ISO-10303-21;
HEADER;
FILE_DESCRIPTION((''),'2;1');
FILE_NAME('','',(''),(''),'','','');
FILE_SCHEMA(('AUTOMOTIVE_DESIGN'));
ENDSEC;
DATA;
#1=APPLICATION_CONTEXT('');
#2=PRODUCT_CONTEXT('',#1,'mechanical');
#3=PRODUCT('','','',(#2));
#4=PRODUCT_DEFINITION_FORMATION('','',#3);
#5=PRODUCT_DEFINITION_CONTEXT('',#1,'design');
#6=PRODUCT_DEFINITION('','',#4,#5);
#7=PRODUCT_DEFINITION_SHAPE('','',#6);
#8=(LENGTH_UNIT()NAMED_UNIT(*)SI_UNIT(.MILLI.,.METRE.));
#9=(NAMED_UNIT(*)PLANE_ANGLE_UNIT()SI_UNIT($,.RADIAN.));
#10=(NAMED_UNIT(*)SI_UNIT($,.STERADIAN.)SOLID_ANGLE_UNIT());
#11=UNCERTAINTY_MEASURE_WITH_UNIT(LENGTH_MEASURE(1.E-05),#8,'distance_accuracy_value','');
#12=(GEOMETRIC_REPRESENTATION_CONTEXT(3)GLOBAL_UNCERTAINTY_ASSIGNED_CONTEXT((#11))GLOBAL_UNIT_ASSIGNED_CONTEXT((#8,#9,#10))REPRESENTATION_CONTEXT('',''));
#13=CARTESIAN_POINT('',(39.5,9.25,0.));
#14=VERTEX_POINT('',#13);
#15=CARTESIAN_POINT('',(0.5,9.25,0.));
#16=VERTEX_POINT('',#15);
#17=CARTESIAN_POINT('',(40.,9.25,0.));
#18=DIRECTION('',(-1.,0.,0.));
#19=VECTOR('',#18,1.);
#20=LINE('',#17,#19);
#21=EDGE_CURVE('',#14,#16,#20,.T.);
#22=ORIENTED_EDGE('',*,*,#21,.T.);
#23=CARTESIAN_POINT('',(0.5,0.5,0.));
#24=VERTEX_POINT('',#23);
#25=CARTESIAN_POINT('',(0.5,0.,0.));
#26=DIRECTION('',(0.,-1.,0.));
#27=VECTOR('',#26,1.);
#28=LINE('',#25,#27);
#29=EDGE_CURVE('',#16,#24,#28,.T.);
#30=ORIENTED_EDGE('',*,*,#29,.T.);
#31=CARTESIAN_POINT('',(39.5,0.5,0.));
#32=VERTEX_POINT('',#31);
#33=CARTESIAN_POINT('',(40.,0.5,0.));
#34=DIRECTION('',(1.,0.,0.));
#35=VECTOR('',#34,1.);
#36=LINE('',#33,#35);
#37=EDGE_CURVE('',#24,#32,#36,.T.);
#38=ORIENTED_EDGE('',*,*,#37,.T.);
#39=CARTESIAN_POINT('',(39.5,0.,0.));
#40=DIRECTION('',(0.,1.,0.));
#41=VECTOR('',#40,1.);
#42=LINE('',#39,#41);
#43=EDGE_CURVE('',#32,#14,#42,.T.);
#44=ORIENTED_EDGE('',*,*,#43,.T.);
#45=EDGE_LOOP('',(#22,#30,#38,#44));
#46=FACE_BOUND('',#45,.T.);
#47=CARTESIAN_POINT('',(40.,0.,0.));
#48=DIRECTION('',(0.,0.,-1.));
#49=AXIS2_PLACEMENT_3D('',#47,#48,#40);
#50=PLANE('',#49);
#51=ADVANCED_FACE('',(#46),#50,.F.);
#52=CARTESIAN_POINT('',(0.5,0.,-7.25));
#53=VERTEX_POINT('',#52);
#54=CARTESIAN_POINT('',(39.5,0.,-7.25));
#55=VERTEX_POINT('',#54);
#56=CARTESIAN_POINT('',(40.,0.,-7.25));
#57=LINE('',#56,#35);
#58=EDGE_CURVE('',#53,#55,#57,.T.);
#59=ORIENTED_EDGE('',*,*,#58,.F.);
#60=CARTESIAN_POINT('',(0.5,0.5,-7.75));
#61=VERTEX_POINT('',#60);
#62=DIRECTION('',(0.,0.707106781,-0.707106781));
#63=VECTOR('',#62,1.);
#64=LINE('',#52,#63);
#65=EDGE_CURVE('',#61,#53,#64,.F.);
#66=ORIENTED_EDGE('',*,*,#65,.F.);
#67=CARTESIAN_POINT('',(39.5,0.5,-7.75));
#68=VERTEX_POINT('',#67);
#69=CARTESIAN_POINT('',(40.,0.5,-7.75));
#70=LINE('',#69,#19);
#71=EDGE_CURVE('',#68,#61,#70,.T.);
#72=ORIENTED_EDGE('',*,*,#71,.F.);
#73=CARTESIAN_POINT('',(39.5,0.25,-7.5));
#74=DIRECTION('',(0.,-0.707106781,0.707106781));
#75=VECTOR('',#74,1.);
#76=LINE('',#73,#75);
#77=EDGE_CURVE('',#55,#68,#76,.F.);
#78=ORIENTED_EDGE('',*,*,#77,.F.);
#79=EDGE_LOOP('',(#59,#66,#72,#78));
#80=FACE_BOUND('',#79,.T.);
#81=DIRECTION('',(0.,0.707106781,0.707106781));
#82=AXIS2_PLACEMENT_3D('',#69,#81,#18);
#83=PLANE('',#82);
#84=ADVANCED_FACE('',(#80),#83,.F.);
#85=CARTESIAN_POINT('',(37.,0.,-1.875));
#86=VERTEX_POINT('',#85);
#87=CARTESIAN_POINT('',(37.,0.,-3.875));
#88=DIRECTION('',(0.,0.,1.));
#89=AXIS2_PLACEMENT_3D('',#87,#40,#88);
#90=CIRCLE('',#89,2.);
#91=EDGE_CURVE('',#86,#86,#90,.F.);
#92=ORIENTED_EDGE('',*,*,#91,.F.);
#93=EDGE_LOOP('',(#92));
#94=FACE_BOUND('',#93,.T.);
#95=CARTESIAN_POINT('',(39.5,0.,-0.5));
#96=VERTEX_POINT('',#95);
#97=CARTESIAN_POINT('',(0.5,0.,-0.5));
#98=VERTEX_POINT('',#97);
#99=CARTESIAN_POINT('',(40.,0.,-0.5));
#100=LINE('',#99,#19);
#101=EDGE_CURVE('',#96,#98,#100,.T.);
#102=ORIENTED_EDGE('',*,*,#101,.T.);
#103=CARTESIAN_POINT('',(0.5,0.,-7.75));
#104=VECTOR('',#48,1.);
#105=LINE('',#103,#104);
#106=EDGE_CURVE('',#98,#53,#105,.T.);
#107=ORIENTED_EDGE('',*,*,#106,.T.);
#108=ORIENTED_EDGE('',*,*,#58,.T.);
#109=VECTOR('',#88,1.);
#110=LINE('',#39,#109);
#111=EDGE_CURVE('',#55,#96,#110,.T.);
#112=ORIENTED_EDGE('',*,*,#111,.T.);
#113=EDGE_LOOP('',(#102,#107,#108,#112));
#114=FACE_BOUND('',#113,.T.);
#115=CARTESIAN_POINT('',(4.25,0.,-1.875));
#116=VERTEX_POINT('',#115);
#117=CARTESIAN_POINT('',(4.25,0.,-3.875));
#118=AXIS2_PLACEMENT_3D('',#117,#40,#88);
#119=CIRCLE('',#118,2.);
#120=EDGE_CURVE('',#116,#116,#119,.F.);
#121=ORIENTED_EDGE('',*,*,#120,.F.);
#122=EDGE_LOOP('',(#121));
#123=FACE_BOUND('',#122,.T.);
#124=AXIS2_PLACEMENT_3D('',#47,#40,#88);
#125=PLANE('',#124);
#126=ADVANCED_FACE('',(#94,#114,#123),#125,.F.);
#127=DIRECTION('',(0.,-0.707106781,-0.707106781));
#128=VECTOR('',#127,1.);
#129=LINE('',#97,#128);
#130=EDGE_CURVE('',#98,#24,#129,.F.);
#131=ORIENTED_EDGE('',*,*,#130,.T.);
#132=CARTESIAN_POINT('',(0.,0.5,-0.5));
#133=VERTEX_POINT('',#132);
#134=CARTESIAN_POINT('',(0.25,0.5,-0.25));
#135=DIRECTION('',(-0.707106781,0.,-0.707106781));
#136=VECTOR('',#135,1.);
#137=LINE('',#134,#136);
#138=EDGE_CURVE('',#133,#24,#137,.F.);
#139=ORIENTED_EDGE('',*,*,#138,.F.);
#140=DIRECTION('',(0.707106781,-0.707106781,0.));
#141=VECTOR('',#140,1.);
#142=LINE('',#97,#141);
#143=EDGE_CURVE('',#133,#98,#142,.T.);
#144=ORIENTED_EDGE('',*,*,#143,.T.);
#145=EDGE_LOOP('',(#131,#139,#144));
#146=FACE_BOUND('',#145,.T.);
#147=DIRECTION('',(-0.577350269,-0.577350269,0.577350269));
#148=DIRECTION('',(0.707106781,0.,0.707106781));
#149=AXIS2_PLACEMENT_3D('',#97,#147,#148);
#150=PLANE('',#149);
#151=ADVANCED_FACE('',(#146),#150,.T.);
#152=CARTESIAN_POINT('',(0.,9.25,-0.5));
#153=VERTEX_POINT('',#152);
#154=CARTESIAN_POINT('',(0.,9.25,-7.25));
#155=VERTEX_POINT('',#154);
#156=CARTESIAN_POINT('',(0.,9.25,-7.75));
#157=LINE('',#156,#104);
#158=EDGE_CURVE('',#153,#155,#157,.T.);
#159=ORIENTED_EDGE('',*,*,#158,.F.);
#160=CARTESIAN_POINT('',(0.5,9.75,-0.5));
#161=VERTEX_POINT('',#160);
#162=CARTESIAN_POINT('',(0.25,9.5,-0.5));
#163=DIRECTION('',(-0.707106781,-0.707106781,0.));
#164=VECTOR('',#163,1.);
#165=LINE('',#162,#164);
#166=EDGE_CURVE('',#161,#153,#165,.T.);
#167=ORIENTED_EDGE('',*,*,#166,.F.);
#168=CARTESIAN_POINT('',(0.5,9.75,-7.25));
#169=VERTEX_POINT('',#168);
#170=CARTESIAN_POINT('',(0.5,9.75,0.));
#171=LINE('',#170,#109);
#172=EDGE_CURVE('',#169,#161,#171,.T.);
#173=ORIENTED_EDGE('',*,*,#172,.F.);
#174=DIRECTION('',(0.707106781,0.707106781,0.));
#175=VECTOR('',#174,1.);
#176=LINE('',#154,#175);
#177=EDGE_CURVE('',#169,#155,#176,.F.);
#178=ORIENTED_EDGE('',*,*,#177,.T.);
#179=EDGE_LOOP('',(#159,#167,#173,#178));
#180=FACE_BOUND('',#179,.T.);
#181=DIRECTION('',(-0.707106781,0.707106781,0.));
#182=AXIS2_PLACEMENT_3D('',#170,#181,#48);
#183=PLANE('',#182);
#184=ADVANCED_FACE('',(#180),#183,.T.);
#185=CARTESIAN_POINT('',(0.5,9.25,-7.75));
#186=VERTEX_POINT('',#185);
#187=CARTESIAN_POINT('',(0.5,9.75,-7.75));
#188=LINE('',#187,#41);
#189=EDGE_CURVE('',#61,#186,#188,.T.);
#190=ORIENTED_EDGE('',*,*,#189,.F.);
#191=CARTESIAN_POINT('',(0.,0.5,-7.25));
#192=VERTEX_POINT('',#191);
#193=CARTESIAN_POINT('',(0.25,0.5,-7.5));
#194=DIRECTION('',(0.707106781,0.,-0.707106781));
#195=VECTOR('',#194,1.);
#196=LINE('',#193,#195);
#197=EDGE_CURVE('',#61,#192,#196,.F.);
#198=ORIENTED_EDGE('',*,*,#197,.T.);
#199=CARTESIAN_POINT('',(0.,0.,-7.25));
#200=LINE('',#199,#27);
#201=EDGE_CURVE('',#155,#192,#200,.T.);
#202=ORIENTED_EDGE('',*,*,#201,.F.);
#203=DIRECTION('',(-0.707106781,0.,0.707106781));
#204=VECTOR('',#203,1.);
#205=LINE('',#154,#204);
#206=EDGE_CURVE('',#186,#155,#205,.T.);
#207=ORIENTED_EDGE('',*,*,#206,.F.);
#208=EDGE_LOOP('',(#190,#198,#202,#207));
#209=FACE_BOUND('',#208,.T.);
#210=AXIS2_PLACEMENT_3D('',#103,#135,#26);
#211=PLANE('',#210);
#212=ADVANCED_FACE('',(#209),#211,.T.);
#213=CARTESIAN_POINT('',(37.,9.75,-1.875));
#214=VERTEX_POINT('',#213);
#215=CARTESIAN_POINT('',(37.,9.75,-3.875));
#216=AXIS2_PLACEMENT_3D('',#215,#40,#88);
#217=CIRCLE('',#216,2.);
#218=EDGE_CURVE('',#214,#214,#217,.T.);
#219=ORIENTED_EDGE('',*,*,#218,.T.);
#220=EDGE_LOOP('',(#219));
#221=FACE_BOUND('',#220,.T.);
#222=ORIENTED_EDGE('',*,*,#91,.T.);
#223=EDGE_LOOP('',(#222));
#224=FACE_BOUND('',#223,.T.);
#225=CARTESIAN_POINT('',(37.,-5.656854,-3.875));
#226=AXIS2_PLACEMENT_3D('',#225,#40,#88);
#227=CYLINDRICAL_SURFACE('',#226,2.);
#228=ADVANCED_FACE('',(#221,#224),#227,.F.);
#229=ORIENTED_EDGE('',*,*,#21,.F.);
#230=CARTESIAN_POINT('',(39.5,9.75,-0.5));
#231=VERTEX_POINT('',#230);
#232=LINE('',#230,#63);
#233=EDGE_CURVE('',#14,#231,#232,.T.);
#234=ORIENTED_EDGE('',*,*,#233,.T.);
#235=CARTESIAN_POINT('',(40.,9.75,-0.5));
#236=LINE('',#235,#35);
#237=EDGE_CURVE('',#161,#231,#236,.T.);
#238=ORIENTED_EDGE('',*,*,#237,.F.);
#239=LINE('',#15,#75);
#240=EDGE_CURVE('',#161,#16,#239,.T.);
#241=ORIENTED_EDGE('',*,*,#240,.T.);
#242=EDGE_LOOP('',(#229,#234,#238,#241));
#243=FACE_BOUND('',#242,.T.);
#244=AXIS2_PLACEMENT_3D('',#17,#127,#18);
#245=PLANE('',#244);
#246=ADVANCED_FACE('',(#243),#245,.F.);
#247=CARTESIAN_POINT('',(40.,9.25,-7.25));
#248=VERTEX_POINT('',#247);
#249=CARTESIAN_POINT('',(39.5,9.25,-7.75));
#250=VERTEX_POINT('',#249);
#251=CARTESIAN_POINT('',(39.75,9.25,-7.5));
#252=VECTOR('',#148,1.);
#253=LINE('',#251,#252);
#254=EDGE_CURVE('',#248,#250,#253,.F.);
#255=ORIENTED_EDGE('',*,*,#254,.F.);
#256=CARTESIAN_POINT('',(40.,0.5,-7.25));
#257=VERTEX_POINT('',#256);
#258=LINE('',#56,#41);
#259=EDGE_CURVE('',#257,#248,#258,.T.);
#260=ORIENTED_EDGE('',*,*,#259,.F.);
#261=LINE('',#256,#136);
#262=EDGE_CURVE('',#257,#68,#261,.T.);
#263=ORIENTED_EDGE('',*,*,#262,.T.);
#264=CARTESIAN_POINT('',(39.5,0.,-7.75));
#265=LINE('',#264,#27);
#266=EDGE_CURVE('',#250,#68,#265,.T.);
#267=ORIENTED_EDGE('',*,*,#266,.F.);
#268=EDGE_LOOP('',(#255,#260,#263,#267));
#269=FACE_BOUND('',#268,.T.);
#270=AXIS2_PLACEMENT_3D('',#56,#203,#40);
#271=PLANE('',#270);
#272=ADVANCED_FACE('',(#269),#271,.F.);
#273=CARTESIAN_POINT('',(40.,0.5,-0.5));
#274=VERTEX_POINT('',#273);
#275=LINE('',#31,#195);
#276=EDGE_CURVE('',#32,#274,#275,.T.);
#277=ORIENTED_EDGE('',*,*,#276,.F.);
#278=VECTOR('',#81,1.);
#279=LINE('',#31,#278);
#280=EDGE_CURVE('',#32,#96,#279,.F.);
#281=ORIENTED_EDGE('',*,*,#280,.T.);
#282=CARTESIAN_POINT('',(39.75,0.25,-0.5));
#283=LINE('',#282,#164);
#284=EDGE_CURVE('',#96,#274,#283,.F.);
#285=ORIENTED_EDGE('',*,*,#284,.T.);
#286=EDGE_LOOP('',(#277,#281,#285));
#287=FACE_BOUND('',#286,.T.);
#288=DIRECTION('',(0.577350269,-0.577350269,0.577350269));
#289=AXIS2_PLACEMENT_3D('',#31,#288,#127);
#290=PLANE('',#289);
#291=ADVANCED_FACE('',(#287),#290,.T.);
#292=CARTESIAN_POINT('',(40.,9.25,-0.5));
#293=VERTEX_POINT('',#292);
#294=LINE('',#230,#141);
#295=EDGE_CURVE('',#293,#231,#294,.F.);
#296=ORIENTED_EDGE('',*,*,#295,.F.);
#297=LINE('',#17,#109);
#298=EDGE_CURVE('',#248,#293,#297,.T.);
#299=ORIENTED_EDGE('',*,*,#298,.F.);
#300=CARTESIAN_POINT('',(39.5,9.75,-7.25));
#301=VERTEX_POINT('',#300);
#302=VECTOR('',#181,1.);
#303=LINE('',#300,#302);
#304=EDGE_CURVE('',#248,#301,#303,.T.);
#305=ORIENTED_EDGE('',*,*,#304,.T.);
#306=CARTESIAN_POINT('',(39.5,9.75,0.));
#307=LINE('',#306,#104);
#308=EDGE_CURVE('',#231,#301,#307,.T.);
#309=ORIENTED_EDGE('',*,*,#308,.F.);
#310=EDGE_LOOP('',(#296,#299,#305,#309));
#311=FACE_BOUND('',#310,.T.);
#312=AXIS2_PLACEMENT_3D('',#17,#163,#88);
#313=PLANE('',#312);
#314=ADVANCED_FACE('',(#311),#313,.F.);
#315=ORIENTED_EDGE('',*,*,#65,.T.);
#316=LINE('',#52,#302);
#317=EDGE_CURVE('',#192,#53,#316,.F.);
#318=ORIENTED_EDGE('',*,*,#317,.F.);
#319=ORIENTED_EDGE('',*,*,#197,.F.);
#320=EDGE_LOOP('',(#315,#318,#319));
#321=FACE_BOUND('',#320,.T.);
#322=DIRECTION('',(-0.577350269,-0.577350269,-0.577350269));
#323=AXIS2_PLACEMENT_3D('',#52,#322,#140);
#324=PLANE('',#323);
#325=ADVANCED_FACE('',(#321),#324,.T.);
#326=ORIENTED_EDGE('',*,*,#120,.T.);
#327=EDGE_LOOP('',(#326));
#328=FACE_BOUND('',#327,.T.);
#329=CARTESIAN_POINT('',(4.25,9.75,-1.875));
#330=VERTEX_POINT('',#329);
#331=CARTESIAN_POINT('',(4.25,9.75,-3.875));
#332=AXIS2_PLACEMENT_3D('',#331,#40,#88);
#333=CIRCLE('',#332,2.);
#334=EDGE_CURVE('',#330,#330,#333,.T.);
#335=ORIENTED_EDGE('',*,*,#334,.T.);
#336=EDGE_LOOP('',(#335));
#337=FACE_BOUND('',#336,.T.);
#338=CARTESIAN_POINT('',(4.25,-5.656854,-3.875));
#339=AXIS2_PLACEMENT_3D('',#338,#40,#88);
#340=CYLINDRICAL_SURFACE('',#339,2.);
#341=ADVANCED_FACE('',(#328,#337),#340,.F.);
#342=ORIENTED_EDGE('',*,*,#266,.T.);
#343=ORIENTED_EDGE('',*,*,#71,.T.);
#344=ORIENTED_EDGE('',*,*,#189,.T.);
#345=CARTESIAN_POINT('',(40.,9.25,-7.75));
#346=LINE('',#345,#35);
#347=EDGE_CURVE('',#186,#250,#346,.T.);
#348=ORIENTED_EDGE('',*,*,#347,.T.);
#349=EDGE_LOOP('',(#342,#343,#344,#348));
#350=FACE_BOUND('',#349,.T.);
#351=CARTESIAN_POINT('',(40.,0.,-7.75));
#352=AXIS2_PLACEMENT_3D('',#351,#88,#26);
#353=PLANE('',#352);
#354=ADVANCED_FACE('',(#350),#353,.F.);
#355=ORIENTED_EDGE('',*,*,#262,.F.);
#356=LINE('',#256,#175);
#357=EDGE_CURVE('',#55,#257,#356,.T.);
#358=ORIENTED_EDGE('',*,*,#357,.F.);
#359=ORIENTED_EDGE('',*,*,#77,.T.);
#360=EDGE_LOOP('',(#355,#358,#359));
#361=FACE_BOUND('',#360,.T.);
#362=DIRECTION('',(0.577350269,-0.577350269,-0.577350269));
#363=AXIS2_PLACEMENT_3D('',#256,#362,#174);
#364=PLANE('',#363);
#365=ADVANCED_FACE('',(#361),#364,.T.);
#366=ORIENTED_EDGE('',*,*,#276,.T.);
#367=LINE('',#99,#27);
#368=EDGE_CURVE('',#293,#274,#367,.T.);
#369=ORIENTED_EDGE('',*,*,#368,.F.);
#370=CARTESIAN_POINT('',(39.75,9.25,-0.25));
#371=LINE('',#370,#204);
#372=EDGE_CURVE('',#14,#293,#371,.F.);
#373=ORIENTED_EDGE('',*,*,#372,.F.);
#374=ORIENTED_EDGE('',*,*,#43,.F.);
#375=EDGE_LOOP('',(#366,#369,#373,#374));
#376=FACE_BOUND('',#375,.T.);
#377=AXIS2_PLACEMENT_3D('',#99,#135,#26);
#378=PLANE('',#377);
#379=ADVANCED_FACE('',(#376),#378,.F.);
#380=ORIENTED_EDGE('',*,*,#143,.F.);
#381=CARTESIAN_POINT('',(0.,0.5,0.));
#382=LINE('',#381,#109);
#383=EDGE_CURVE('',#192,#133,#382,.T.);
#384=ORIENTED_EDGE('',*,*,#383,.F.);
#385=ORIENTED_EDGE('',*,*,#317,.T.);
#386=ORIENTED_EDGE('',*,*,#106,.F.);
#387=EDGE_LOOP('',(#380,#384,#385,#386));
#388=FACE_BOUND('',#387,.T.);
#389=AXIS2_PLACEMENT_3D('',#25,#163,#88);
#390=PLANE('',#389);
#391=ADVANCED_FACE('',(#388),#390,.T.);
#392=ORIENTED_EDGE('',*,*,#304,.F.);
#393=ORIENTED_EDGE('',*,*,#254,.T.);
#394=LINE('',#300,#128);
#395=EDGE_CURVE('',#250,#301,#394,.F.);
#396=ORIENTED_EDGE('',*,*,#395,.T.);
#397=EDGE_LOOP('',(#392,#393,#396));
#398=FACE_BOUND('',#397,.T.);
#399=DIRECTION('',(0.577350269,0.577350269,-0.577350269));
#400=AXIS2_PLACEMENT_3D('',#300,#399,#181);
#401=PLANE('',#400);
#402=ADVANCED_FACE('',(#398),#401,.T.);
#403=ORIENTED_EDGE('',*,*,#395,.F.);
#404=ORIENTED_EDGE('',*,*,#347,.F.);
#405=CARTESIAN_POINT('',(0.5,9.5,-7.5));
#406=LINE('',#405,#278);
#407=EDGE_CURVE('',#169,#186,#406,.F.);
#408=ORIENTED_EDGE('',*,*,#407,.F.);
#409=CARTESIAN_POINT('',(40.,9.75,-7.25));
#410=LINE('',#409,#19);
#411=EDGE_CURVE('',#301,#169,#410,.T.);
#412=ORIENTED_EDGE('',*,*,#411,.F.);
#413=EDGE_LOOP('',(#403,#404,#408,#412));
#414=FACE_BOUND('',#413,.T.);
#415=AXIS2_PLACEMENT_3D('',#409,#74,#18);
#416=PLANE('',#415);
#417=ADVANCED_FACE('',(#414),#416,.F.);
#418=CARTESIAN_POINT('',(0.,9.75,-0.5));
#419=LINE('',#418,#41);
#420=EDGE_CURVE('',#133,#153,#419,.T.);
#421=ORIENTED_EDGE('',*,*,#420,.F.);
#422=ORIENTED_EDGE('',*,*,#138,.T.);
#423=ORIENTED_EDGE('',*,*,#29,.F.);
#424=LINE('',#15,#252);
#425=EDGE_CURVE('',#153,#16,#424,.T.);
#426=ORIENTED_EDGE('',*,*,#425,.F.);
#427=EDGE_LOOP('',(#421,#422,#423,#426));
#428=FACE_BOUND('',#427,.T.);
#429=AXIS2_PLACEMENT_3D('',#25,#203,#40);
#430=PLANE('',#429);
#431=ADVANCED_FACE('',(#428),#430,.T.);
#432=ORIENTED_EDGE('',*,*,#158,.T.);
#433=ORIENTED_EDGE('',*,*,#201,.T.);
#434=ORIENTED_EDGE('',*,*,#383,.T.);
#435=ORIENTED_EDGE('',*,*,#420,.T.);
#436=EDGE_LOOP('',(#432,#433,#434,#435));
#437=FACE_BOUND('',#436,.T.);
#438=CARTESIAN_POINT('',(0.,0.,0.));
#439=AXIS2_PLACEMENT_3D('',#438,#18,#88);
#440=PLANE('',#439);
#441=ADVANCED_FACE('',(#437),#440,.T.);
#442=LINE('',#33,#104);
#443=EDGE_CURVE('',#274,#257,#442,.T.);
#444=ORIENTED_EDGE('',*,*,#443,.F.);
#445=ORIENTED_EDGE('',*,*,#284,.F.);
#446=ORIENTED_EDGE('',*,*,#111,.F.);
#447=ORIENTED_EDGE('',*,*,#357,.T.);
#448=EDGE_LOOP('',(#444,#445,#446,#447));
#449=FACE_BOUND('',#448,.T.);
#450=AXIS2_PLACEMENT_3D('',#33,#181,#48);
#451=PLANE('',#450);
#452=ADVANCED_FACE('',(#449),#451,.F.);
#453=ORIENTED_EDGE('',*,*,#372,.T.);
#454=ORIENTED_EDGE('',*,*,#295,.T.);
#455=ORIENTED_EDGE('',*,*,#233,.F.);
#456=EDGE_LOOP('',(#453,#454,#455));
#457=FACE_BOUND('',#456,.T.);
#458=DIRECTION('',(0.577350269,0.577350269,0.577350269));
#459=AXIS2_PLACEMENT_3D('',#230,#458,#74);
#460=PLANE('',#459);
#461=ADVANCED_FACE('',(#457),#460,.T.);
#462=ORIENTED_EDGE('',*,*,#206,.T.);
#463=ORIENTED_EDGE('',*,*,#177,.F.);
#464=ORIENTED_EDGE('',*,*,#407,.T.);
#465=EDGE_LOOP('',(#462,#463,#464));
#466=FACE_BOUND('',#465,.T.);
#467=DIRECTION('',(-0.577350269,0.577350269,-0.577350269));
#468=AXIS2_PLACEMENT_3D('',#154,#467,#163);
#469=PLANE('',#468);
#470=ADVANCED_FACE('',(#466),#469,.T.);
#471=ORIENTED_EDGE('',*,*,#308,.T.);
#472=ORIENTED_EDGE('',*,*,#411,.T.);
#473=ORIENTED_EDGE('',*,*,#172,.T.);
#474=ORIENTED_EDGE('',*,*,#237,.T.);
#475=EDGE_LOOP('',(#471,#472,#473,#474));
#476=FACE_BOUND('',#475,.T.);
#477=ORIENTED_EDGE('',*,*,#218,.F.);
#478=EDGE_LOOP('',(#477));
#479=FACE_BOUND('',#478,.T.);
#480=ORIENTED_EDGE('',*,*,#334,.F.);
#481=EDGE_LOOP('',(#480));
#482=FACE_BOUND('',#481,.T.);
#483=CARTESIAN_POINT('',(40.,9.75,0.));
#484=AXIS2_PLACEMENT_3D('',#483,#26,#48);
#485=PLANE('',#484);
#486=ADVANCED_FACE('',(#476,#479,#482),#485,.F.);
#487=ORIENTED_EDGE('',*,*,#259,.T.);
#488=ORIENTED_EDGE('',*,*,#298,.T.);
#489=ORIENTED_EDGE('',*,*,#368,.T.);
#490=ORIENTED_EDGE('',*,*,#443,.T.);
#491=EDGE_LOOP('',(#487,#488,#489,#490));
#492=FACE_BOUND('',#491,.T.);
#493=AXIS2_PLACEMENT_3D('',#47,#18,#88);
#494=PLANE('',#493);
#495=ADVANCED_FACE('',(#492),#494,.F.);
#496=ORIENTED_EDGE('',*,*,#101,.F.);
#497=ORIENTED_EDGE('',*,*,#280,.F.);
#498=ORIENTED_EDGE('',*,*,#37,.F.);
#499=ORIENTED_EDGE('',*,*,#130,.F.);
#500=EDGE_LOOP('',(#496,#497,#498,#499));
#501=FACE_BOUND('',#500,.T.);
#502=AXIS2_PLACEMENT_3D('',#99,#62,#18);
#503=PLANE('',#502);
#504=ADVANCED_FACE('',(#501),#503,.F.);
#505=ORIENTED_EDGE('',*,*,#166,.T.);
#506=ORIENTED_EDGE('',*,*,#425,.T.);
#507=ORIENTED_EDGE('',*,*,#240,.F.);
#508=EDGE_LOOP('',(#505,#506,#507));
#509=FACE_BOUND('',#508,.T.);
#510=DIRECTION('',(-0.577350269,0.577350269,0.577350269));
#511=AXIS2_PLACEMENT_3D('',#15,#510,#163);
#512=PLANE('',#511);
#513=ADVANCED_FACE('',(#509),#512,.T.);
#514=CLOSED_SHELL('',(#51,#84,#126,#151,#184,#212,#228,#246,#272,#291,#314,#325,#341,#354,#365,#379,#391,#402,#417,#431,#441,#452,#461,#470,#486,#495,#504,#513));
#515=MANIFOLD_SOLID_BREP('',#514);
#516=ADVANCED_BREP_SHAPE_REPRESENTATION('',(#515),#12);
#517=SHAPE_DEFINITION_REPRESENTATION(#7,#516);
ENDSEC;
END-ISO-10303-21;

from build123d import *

# Parameters (mm, degrees)
SKETCH1_W           = 7.75
SKETCH1_H           = 9.75
BOSS_EXTRUDE1_DEPTH = 40
SKETCH4_R           = 2
CUT_EXTRUDE3_DEPTH  = 9.75
CHAMFER1_SIZE       = 0.5


with BuildPart() as part:
    # Sketch1 → Boss-Extrude1 (new body)
    with BuildSketch(Plane(origin=(0, 0, 0), x_dir=(0, 0, -1), z_dir=(1, 0, 0))):
        with Locations((3.875, 4.875)):
            Rectangle(SKETCH1_W, SKETCH1_H)
    extrude(amount=BOSS_EXTRUDE1_DEPTH)

    # Sketch4 → Cut-Extrude3 (cut)
    with BuildSketch(Plane(origin=(0, 9.75, 0), x_dir=(1, 0, 0), z_dir=(0, 1, 0))):
        with Locations((4.25, 3.875)):
            Circle(SKETCH4_R)
        with Locations((37, 3.875)):
            Circle(SKETCH4_R)
    extrude(amount=-CUT_EXTRUDE3_DEPTH, mode=Mode.SUBTRACT)

    # Chamfer1
    chamfer1_edges = [part.edges().sort_by_distance(p)[0] for p in [
        (40, 4.875, -7.75),
        (40, 9.75, -3.875),
        (40, 4.875, 0),
        (0, 9.75, -3.875),
        (0, 4.875, -7.75),
        (0, 0, -3.875),
        (0, 4.875, 0),
        (20, 9.75, 0),
        (20, 9.75, -7.75),
        (20, 0, -7.75),
        (20, 0, 0),
        (40, 0, -3.875),
    ]]
    chamfer(chamfer1_edges, length=CHAMFER1_SIZE)


solid = part.part
